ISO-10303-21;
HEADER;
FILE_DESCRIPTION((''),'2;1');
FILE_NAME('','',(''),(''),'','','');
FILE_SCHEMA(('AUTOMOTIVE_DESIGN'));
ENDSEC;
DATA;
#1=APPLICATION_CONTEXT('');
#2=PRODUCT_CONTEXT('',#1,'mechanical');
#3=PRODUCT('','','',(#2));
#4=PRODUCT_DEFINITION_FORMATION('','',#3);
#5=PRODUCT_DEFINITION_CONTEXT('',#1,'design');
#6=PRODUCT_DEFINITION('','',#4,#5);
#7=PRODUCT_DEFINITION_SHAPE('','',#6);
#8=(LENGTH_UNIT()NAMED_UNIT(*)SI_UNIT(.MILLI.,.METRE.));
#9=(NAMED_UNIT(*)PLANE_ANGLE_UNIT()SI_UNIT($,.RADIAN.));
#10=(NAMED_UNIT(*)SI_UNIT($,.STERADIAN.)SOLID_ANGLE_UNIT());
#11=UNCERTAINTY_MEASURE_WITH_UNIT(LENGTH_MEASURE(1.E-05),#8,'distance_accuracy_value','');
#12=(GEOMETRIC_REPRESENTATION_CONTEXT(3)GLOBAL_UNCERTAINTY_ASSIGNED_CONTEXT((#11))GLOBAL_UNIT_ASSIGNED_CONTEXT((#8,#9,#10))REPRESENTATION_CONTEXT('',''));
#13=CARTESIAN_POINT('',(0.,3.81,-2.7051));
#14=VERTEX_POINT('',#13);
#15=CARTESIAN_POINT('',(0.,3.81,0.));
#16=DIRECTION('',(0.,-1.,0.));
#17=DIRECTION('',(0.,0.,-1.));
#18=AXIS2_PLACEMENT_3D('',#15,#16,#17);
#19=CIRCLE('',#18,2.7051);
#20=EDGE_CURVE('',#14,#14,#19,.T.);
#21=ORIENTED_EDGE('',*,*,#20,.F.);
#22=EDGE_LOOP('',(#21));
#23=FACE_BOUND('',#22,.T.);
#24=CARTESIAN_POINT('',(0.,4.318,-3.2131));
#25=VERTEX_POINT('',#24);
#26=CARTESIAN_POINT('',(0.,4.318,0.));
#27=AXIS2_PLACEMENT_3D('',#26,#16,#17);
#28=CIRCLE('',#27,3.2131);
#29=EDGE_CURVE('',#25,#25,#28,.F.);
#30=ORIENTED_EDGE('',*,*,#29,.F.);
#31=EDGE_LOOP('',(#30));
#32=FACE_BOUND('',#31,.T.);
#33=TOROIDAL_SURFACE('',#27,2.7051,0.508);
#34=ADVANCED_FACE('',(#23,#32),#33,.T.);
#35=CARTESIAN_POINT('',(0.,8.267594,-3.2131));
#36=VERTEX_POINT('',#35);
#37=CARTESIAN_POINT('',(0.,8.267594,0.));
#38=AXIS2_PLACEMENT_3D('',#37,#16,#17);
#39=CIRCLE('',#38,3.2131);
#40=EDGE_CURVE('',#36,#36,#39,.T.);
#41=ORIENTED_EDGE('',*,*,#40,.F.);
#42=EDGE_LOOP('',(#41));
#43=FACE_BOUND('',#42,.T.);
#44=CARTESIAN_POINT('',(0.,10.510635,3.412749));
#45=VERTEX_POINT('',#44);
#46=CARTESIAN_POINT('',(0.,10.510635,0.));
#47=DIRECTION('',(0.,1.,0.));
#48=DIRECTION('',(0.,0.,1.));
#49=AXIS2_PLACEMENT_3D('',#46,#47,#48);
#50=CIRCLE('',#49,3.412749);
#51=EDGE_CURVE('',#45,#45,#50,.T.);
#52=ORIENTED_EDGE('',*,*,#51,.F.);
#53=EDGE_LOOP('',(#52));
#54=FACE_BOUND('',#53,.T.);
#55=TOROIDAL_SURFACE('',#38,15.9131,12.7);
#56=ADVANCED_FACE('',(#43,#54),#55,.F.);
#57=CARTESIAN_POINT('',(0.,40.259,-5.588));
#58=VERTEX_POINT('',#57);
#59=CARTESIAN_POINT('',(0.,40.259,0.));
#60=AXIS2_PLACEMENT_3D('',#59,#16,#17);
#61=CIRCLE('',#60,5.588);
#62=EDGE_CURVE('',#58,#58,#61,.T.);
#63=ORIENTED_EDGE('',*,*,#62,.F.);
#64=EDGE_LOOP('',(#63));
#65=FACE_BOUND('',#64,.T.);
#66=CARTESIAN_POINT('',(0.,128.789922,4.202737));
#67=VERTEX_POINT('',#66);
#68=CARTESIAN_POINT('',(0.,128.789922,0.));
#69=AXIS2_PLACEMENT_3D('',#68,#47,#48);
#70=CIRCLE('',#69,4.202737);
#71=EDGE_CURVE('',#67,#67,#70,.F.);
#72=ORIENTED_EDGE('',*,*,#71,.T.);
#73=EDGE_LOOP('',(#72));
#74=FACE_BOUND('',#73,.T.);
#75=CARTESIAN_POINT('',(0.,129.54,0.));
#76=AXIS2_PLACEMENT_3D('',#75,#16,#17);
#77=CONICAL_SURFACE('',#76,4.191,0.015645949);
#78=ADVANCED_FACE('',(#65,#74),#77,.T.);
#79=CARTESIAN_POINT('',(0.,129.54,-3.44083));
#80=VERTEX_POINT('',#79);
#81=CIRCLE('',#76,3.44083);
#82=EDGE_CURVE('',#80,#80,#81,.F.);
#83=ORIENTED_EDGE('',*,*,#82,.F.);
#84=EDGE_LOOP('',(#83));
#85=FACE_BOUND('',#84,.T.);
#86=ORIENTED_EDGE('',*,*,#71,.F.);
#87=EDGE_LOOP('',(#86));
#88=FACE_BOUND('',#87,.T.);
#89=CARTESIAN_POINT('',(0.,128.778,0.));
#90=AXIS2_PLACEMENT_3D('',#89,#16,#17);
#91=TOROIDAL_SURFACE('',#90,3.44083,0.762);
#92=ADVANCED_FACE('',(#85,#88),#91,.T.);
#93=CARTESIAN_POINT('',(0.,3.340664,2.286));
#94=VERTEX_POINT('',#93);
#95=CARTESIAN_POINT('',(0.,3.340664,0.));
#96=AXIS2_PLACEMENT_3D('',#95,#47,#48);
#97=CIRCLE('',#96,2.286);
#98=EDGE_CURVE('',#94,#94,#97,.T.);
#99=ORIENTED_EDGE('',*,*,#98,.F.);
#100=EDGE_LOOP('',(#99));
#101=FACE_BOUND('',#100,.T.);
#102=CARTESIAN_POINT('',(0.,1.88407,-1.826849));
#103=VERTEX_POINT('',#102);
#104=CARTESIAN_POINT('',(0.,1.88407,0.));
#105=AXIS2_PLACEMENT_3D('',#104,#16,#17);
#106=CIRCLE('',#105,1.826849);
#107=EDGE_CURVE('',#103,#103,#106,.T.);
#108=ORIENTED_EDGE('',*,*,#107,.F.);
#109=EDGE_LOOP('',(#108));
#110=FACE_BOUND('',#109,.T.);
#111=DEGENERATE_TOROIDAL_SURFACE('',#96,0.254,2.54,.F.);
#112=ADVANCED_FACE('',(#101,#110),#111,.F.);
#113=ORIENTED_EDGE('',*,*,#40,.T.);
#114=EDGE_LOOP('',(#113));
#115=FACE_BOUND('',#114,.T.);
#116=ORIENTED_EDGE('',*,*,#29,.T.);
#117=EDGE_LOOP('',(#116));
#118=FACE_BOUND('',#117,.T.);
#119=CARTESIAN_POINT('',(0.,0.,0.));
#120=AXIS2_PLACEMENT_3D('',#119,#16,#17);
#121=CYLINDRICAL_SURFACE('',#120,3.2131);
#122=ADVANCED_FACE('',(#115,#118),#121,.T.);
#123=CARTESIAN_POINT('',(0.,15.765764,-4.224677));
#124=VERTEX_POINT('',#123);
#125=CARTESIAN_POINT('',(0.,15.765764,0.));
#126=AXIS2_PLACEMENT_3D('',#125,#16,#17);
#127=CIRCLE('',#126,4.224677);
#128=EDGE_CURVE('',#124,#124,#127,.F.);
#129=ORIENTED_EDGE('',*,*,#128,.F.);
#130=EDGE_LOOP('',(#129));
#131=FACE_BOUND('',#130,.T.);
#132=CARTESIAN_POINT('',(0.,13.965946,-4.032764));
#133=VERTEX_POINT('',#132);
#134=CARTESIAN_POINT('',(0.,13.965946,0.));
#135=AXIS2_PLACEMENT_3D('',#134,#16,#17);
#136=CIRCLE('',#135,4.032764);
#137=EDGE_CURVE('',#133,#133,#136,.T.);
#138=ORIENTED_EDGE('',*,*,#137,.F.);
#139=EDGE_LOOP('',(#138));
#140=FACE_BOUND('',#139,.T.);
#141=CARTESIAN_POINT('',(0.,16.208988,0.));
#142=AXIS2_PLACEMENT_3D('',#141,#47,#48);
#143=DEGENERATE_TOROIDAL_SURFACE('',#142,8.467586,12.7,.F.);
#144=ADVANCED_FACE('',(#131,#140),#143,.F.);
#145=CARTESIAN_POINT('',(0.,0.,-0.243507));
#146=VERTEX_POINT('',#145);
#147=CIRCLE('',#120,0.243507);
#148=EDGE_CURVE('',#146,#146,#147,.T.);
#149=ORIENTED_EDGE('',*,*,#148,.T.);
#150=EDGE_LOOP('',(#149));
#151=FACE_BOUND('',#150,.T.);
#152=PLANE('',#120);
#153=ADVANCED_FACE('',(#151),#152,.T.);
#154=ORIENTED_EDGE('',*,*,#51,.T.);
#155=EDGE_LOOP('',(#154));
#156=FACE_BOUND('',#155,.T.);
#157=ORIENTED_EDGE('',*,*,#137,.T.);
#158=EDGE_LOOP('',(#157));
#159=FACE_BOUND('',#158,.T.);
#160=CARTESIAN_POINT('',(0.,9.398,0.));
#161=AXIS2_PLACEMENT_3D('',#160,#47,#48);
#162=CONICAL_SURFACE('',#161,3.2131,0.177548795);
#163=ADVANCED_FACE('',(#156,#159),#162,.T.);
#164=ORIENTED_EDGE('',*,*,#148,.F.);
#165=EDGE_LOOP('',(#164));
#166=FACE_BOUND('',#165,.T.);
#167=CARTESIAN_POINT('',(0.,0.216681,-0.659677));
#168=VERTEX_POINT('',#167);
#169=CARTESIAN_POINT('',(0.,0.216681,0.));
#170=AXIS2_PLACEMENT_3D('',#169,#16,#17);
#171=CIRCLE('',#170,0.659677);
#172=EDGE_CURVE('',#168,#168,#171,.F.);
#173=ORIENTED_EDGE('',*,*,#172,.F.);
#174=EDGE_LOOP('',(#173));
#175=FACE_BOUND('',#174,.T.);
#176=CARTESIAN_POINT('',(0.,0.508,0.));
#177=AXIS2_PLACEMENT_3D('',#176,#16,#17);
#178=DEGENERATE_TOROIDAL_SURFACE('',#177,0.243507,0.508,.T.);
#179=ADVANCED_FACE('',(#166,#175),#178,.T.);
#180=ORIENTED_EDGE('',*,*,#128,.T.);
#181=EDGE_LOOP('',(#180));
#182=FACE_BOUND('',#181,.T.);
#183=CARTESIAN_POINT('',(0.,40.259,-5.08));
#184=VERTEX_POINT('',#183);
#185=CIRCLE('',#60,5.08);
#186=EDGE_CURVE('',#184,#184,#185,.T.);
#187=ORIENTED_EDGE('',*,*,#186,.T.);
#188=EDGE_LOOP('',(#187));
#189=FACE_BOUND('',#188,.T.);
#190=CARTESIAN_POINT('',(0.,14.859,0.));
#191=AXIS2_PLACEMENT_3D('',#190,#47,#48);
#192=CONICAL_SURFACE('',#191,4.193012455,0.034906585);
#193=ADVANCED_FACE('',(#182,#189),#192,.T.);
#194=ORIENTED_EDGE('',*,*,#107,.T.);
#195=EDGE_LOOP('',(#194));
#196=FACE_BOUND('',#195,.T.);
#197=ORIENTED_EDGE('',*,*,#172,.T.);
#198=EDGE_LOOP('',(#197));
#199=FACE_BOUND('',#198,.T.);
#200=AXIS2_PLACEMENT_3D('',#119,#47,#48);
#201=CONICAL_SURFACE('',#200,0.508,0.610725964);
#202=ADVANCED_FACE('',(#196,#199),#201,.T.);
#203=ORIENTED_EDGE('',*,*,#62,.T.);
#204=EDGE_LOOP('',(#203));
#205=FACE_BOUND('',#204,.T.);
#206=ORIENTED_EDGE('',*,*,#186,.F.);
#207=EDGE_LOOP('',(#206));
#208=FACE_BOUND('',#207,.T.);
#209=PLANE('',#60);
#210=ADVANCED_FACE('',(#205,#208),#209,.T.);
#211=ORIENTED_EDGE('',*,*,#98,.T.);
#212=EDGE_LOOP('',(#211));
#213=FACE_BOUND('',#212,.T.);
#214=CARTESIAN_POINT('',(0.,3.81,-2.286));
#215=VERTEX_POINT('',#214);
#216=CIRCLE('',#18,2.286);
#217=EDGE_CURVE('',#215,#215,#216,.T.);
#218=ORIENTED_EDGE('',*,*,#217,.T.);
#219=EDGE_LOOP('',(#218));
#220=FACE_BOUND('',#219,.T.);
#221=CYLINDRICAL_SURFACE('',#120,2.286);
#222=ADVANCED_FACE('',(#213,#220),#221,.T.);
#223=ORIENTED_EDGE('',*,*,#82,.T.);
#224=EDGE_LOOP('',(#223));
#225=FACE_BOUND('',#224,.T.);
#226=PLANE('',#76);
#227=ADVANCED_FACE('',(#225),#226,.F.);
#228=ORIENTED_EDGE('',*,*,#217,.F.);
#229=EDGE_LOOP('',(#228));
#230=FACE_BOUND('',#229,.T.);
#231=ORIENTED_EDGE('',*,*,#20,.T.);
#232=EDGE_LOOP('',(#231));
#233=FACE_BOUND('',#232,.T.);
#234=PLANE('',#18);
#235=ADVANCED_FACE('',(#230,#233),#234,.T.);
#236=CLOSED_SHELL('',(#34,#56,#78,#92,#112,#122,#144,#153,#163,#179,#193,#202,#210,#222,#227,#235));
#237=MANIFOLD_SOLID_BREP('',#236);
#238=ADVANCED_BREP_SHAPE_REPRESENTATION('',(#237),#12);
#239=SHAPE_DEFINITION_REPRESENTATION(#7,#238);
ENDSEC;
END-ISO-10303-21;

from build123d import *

# Parameters (mm, degrees)
FILLET1_R = 0.508
FILLET2_R = 2.54
FILLET3_R = 12.7
FILLET4_R = 0.508
FILLET5_R = 0.762


with BuildPart() as part:
    # Sketch1 → Revolve1 (revolve)
    with BuildSketch(Plane.XY, mode=Mode.PRIVATE) as revolve1_sk:
        Polygon((0, 0), (0.508, 0), (2.286, 2.54), (2.286, 3.81), (3.2131, 3.81), (3.2131, 9.398), (4.193012455, 14.859), (5.08, 40.259), (5.588, 40.259), (4.191, 129.54), (0, 129.54), align=None)
    revolve(revolve1_sk.sketch.rotate(Axis((0, 0, 0), (0, 1, 0)), 90), axis=Axis((0, 0, 0), (0, 1, 0)))

    # Fillet1
    fillet1_edges = [part.edges().sort_by_distance(p)[0] for p in [
        (0, 0, 0.508),
    ]]
    fillet(fillet1_edges, radius=FILLET1_R)

    # Fillet2
    fillet2_edges = [part.edges().sort_by_distance(p)[0] for p in [
        (0, 2.54, 2.286),
    ]]
    fillet(fillet2_edges, radius=FILLET2_R)

    # Fillet3
    fillet3_edges = [part.edges().sort_by_distance(p)[0] for p in [
        (0, 14.859, 4.193012455),
        (0, 9.398, 3.2131),
    ]]
    fillet(fillet3_edges, radius=FILLET3_R)

    # Fillet4
    fillet4_edges = [part.edges().sort_by_distance(p)[0] for p in [
        (0, 3.81, 3.2131),
    ]]
    fillet(fillet4_edges, radius=FILLET4_R)

    # Fillet5
    fillet5_edges = [part.edges().sort_by_distance(p)[0] for p in [
        (0, 129.54, 4.191),
    ]]
    fillet(fillet5_edges, radius=FILLET5_R)


solid = part.part
